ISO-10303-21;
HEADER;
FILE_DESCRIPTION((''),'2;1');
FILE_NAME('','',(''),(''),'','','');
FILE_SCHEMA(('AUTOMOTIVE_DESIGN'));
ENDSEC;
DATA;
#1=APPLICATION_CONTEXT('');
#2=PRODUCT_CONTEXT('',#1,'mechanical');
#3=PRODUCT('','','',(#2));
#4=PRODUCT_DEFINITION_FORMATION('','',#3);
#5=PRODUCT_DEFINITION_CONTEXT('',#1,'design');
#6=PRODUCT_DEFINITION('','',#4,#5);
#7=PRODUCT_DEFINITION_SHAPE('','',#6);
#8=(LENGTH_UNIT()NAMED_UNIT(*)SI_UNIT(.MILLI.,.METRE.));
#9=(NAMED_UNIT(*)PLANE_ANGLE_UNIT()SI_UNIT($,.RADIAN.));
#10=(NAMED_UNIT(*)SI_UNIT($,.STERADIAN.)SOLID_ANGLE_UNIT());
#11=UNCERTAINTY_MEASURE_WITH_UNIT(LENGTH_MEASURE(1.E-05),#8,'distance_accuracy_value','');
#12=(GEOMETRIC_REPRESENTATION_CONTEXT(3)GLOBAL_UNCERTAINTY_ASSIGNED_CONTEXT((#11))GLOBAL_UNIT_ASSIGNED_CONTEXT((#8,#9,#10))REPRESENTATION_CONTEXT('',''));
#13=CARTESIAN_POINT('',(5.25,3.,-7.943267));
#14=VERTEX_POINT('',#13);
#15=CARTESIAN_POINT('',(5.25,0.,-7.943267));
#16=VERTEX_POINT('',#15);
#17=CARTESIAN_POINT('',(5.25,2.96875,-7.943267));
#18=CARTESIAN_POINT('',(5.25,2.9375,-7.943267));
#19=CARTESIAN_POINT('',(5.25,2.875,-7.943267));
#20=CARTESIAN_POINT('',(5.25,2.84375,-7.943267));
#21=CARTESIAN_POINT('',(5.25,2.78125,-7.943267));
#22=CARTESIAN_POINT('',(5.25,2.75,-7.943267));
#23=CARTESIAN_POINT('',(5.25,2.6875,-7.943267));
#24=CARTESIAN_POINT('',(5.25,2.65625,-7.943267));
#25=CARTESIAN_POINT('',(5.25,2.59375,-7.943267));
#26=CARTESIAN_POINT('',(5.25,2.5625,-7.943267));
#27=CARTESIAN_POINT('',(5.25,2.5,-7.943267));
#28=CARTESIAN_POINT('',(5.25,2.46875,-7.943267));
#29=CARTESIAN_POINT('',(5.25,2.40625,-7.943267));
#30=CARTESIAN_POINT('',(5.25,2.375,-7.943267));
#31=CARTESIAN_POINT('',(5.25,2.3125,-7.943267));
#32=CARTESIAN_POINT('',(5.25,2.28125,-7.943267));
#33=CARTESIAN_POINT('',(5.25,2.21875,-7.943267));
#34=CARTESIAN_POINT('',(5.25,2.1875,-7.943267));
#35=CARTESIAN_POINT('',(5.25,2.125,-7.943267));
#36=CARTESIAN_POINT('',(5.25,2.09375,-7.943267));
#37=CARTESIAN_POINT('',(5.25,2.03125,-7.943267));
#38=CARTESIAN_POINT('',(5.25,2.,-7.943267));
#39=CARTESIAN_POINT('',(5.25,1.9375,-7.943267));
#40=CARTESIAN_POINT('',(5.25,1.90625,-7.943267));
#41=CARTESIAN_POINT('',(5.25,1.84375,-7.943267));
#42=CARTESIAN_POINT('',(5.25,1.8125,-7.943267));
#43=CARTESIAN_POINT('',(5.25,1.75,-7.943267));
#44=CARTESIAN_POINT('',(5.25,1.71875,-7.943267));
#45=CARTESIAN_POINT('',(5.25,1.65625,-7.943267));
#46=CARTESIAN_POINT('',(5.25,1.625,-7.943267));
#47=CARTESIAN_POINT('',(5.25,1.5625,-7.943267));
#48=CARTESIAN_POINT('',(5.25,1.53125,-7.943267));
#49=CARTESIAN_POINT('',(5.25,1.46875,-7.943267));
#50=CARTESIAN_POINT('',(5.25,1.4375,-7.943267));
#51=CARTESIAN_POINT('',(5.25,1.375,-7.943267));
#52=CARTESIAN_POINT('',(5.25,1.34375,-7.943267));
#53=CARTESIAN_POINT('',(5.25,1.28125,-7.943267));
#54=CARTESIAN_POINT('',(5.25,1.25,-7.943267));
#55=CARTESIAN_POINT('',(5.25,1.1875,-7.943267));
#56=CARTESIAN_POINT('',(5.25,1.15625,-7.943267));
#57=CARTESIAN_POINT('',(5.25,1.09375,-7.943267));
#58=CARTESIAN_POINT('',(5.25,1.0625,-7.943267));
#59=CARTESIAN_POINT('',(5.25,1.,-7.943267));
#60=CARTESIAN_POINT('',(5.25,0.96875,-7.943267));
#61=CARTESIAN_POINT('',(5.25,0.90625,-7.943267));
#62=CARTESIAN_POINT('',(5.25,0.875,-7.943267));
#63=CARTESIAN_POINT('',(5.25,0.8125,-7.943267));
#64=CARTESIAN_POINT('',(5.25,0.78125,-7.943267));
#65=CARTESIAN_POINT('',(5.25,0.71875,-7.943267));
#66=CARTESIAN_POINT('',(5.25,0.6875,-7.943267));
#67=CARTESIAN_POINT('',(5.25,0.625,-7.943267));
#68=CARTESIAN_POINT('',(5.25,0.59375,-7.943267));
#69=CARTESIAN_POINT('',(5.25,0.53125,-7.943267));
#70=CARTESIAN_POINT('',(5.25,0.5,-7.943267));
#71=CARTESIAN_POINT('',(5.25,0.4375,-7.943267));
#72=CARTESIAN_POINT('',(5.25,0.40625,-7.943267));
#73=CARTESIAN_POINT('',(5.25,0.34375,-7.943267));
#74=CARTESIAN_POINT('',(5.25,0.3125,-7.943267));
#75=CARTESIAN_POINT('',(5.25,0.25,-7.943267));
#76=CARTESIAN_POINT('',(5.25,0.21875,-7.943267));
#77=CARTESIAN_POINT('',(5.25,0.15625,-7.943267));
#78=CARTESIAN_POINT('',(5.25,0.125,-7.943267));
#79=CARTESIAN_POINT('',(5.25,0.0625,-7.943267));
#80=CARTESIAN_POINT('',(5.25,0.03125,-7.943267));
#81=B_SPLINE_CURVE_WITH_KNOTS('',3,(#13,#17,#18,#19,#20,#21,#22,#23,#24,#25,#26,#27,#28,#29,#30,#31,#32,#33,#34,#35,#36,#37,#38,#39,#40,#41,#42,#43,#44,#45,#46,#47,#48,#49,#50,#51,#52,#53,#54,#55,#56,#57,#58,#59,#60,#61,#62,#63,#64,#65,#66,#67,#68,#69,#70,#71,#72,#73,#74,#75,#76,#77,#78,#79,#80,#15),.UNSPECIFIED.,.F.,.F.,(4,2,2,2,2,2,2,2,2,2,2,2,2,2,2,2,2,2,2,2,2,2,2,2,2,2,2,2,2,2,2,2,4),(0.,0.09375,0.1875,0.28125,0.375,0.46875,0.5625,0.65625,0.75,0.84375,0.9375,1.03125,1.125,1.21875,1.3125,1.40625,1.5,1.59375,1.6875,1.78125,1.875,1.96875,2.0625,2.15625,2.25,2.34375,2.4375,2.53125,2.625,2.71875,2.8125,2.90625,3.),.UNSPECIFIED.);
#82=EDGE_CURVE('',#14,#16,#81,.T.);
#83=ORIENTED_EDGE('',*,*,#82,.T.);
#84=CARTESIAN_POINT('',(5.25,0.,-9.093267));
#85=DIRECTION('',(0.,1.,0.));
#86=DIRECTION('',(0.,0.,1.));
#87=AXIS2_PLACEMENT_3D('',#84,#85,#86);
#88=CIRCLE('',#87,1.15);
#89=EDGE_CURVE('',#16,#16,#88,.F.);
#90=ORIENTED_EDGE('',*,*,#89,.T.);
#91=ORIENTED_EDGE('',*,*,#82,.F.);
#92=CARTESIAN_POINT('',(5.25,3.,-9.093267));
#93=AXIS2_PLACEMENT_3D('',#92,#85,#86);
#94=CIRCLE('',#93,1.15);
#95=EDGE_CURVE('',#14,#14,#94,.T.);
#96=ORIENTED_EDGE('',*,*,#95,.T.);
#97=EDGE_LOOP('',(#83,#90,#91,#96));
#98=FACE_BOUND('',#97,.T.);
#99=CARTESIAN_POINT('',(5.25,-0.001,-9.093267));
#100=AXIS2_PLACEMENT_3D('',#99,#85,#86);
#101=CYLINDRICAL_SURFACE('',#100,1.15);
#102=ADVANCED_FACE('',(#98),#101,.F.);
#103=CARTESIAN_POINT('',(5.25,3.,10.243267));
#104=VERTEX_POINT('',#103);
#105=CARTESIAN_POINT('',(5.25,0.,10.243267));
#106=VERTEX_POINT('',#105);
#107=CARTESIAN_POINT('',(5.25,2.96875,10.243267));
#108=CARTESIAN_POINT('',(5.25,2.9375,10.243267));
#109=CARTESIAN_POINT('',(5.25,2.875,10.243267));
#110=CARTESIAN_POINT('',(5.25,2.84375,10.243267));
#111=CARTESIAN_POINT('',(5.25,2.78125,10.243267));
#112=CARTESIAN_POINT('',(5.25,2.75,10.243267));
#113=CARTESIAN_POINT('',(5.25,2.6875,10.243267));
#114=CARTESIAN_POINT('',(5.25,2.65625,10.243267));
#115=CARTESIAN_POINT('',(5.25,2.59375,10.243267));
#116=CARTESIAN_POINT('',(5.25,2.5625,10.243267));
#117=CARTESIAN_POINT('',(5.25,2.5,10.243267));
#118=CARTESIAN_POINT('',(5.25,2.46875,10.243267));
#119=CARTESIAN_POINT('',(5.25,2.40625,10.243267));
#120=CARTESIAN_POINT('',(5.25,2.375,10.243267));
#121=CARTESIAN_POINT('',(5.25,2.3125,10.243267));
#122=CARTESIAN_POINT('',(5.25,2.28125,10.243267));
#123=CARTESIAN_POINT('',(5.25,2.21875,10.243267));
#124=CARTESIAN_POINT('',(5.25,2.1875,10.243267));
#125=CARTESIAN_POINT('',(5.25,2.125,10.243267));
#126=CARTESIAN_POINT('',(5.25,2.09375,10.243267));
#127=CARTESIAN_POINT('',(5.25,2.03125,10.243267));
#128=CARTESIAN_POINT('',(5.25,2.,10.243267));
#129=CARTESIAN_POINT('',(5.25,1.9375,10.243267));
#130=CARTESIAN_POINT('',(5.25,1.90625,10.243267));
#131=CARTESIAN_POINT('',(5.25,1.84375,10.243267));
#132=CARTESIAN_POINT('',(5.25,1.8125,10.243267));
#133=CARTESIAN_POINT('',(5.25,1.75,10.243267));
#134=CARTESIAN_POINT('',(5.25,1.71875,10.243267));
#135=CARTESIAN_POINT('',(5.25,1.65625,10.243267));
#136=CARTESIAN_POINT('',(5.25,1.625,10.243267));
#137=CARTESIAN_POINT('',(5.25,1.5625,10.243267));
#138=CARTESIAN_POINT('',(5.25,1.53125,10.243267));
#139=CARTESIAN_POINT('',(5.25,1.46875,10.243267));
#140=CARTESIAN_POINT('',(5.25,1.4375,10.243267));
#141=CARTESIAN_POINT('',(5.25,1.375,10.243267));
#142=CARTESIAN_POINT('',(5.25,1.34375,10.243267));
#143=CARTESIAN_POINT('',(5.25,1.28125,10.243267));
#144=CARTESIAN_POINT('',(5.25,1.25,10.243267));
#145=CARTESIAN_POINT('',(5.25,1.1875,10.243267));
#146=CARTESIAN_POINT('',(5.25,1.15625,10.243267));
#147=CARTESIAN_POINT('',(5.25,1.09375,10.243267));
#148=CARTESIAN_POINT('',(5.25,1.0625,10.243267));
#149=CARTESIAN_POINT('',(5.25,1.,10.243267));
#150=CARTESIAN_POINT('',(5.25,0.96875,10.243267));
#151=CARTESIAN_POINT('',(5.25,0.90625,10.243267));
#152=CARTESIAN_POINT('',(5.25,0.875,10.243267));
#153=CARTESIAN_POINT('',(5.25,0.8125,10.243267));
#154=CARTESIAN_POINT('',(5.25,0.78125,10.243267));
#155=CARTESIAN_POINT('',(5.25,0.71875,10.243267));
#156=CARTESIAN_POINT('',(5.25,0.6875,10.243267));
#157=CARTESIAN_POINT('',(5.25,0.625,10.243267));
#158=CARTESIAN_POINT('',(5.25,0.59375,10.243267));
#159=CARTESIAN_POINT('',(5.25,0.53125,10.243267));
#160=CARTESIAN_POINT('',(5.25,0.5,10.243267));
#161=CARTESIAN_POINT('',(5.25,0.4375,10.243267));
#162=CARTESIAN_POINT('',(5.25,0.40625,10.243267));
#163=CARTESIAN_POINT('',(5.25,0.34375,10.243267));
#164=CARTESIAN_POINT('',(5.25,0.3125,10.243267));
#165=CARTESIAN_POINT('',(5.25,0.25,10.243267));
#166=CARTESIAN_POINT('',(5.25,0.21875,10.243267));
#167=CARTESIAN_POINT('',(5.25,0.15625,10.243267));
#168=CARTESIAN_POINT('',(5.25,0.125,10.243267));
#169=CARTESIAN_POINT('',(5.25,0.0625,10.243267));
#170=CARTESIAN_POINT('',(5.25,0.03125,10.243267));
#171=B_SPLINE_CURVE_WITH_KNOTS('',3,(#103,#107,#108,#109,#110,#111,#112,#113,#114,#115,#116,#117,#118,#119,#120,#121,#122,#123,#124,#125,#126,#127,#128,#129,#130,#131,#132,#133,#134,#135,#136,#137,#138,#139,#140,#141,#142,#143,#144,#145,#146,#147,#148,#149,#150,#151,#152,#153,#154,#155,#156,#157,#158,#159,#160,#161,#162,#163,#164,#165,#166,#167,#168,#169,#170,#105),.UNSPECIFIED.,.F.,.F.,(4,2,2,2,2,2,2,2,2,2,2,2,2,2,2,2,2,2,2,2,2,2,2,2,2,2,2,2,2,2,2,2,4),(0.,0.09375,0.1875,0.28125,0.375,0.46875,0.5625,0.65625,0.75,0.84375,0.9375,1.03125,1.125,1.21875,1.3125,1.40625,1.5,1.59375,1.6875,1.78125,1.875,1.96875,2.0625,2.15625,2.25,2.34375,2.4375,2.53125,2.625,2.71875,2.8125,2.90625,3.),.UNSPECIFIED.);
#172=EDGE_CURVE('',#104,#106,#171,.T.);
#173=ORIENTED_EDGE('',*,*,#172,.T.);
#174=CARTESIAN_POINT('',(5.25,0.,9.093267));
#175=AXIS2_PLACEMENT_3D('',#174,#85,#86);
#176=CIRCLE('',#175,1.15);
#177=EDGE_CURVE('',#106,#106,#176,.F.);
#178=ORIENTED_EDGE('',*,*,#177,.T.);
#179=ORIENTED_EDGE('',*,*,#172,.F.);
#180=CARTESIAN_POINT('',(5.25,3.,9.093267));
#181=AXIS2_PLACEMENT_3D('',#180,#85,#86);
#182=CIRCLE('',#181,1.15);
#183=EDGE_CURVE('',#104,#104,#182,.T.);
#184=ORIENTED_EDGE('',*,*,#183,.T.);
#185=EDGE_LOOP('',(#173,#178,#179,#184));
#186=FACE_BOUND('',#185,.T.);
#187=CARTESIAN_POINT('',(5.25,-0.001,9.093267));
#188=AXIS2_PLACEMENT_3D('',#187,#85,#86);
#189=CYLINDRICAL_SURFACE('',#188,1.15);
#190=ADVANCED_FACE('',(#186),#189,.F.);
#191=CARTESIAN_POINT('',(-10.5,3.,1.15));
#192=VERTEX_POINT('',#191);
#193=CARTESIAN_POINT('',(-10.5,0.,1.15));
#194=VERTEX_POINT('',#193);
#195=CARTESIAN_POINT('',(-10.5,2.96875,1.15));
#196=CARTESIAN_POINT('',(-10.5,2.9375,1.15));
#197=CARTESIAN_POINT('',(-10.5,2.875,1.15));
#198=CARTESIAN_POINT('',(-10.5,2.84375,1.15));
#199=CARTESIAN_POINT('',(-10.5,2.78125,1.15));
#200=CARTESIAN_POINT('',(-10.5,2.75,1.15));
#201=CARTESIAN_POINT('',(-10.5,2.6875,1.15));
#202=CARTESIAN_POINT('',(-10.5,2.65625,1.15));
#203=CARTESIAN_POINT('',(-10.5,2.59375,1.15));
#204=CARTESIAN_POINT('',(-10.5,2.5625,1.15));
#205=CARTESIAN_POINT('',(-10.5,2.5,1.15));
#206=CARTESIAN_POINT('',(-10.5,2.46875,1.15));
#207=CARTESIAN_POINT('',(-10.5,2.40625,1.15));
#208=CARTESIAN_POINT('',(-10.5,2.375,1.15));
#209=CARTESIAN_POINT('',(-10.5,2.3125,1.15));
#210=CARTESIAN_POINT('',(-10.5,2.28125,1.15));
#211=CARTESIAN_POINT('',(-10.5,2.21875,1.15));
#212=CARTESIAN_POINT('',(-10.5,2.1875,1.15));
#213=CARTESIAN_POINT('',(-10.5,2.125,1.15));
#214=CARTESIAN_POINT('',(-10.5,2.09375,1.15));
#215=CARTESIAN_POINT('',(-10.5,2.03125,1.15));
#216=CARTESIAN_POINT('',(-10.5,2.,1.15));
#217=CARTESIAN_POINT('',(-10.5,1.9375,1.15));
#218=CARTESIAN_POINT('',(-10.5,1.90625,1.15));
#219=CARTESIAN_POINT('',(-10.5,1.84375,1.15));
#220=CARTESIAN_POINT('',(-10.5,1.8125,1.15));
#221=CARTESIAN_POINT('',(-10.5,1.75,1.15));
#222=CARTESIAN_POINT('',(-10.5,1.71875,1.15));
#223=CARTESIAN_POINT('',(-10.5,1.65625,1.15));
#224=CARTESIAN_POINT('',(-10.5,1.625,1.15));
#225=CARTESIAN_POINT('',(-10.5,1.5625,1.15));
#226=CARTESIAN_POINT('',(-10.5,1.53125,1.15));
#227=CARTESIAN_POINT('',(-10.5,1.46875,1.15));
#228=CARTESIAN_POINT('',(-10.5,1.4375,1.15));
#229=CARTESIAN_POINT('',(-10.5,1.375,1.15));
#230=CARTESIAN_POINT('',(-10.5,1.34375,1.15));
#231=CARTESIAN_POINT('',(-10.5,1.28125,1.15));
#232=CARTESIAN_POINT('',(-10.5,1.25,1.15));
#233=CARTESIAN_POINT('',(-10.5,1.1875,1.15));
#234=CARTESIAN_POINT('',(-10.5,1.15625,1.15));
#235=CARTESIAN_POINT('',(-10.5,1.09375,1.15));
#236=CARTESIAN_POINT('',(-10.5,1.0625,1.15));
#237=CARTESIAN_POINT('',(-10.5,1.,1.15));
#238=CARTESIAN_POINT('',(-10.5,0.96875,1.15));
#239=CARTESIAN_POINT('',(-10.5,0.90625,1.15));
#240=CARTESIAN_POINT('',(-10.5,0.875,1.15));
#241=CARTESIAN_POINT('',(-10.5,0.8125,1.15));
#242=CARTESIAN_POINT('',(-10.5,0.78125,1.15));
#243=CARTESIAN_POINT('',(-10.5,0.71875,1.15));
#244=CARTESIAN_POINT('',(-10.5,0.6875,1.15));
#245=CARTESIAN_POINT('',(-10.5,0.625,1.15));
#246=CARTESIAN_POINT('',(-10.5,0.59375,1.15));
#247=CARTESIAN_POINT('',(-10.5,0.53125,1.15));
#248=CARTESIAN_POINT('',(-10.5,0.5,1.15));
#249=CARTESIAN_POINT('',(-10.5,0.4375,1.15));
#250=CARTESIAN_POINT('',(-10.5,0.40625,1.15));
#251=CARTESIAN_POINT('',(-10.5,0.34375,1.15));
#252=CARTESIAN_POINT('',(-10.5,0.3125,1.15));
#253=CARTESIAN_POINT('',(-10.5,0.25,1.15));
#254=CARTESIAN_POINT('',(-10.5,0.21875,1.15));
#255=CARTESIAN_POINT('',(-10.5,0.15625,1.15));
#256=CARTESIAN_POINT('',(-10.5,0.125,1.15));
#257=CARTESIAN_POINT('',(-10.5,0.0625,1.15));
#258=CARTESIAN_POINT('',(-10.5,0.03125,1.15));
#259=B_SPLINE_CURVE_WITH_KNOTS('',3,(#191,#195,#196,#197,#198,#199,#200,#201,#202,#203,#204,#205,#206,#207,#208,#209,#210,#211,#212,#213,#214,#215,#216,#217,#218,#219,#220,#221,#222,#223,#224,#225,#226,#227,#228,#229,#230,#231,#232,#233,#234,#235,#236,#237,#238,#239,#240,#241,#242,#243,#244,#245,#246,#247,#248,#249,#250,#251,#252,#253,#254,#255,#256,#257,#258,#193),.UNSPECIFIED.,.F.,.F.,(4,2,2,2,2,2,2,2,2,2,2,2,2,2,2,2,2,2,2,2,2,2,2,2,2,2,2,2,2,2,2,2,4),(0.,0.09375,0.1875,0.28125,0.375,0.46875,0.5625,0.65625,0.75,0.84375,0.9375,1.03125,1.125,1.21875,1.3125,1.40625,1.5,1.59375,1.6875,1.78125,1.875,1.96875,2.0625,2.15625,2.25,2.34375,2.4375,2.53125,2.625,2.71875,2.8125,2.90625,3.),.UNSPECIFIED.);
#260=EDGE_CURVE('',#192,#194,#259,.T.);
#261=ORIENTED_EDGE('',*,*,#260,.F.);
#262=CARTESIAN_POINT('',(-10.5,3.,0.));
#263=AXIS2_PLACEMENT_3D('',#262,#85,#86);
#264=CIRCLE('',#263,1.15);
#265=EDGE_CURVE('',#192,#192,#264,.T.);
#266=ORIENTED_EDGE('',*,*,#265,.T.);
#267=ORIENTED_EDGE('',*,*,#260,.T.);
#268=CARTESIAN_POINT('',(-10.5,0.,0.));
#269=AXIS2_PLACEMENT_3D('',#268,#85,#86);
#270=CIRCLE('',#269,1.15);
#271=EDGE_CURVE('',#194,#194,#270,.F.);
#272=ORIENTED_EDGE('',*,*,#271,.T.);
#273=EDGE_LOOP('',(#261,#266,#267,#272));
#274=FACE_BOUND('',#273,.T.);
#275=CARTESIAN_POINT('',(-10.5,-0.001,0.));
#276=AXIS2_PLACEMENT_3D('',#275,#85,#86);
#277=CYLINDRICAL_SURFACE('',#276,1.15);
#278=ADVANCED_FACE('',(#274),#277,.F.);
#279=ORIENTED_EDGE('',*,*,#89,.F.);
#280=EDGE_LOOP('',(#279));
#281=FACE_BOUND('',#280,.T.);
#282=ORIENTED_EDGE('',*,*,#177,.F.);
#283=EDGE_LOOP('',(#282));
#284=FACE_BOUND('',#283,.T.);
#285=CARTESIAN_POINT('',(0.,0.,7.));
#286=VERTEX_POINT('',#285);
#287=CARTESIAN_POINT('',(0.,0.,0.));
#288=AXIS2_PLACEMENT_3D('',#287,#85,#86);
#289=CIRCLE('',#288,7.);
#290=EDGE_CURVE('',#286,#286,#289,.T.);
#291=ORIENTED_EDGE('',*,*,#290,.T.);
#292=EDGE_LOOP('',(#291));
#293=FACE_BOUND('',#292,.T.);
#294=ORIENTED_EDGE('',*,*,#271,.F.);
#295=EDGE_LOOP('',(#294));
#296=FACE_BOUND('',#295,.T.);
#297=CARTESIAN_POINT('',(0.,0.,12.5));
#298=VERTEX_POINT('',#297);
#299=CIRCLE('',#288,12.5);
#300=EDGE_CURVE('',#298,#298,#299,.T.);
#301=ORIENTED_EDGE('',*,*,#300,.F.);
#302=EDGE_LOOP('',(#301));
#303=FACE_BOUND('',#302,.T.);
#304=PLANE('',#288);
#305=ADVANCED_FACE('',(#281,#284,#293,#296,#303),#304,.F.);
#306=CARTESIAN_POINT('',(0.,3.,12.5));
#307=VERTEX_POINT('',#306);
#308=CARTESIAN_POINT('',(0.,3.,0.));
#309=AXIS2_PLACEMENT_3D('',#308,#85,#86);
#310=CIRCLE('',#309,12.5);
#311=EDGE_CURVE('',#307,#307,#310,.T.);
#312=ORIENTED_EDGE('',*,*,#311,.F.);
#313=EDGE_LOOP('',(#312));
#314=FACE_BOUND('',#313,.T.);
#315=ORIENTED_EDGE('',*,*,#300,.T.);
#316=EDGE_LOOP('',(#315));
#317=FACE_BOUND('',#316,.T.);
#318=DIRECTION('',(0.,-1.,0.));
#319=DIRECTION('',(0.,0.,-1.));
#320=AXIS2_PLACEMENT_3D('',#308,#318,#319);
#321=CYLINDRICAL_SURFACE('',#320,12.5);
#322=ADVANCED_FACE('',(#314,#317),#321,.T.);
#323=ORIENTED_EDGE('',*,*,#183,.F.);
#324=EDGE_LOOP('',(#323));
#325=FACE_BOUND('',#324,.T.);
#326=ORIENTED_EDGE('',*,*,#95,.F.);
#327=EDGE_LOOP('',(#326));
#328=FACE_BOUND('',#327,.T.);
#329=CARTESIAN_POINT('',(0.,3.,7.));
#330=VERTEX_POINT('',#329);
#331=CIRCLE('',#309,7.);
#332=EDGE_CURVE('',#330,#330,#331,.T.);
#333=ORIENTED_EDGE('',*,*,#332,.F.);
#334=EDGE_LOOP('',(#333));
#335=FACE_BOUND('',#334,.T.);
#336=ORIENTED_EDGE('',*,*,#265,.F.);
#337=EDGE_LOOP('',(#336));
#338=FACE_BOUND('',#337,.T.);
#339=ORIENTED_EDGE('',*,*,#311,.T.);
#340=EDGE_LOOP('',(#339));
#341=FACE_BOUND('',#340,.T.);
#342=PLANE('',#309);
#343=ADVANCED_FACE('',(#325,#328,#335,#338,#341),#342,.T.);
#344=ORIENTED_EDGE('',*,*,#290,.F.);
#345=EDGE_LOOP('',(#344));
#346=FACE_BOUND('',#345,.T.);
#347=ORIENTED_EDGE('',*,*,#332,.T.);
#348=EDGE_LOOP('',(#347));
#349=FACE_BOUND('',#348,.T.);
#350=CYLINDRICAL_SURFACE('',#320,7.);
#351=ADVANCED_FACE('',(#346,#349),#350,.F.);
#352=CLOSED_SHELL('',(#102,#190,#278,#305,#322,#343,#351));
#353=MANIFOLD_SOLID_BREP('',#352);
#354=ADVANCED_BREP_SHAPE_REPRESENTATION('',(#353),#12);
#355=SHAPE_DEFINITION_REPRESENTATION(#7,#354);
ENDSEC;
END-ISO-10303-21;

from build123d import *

# Parameters (mm, degrees)
SKETCH1_R           = 12.5
SKETCH1_R_2         = 7
BOSS_EXTRUDE1_DEPTH = 3
CUT_EXTRUDE1_REACH  = 19.93
SKETCH3_R           = 1.15


with BuildPart() as part:
    # Sketch1 → Boss-Extrude1 (new body)
    with BuildSketch(Plane(origin=(0, 0, 0), x_dir=(1, 0, 0), z_dir=(0, 1, 0))):
        with Locations(Location((0, 0, 0), (0, 0, 270))):
            Circle(SKETCH1_R)
        with Locations(Location((0, 0, 0), (0, 0, 270))):
            Circle(SKETCH1_R_2, mode=Mode.SUBTRACT)
    extrude(amount=BOSS_EXTRUDE1_DEPTH)

    # Sketch3 → Cut-Extrude1 (cut, up to next)
    with BuildSketch(Plane(origin=(0, 3, 0), x_dir=(1, 0, 0), z_dir=(0, 1, 0)), mode=Mode.PRIVATE) as cut_extrude1_sk1:
        with Locations(Location((-10.5, 0, 0), (0, 0, 270))):
            Circle(SKETCH3_R)
    cut_extrude1_tool1 = extrude(cut_extrude1_sk1.sketch, amount=-CUT_EXTRUDE1_REACH, mode=Mode.PRIVATE) & part.part
    # Sketch3 → Cut-Extrude1 (cut, up to next)
    with BuildSketch(Plane(origin=(0, 3, 0), x_dir=(1, 0, 0), z_dir=(0, 1, 0)), mode=Mode.PRIVATE) as cut_extrude1_sk2:
        with Locations(Location((5.25, 9.09326674, 0), (0, 0, 270))):
            Circle(SKETCH3_R)
    cut_extrude1_tool2 = extrude(cut_extrude1_sk2.sketch, amount=-CUT_EXTRUDE1_REACH, mode=Mode.PRIVATE) & part.part
    # Sketch3 → Cut-Extrude1 (cut, up to next)
    with BuildSketch(Plane(origin=(0, 3, 0), x_dir=(1, 0, 0), z_dir=(0, 1, 0)), mode=Mode.PRIVATE) as cut_extrude1_sk3:
        with Locations(Location((5.25, -9.09326674, 0), (0, 0, 270))):
            Circle(SKETCH3_R)
    cut_extrude1_tool3 = extrude(cut_extrude1_sk3.sketch, amount=-CUT_EXTRUDE1_REACH, mode=Mode.PRIVATE) & part.part
    add(cut_extrude1_tool1.solids().sort_by_distance((-10.5, 3, 0))[0], mode=Mode.SUBTRACT)
    add(cut_extrude1_tool2.solids().sort_by_distance((5.25, 3, -9.093267))[0], mode=Mode.SUBTRACT)
    add(cut_extrude1_tool3.solids().sort_by_distance((5.25, 3, 9.093267))[0], mode=Mode.SUBTRACT)


solid = part.part
